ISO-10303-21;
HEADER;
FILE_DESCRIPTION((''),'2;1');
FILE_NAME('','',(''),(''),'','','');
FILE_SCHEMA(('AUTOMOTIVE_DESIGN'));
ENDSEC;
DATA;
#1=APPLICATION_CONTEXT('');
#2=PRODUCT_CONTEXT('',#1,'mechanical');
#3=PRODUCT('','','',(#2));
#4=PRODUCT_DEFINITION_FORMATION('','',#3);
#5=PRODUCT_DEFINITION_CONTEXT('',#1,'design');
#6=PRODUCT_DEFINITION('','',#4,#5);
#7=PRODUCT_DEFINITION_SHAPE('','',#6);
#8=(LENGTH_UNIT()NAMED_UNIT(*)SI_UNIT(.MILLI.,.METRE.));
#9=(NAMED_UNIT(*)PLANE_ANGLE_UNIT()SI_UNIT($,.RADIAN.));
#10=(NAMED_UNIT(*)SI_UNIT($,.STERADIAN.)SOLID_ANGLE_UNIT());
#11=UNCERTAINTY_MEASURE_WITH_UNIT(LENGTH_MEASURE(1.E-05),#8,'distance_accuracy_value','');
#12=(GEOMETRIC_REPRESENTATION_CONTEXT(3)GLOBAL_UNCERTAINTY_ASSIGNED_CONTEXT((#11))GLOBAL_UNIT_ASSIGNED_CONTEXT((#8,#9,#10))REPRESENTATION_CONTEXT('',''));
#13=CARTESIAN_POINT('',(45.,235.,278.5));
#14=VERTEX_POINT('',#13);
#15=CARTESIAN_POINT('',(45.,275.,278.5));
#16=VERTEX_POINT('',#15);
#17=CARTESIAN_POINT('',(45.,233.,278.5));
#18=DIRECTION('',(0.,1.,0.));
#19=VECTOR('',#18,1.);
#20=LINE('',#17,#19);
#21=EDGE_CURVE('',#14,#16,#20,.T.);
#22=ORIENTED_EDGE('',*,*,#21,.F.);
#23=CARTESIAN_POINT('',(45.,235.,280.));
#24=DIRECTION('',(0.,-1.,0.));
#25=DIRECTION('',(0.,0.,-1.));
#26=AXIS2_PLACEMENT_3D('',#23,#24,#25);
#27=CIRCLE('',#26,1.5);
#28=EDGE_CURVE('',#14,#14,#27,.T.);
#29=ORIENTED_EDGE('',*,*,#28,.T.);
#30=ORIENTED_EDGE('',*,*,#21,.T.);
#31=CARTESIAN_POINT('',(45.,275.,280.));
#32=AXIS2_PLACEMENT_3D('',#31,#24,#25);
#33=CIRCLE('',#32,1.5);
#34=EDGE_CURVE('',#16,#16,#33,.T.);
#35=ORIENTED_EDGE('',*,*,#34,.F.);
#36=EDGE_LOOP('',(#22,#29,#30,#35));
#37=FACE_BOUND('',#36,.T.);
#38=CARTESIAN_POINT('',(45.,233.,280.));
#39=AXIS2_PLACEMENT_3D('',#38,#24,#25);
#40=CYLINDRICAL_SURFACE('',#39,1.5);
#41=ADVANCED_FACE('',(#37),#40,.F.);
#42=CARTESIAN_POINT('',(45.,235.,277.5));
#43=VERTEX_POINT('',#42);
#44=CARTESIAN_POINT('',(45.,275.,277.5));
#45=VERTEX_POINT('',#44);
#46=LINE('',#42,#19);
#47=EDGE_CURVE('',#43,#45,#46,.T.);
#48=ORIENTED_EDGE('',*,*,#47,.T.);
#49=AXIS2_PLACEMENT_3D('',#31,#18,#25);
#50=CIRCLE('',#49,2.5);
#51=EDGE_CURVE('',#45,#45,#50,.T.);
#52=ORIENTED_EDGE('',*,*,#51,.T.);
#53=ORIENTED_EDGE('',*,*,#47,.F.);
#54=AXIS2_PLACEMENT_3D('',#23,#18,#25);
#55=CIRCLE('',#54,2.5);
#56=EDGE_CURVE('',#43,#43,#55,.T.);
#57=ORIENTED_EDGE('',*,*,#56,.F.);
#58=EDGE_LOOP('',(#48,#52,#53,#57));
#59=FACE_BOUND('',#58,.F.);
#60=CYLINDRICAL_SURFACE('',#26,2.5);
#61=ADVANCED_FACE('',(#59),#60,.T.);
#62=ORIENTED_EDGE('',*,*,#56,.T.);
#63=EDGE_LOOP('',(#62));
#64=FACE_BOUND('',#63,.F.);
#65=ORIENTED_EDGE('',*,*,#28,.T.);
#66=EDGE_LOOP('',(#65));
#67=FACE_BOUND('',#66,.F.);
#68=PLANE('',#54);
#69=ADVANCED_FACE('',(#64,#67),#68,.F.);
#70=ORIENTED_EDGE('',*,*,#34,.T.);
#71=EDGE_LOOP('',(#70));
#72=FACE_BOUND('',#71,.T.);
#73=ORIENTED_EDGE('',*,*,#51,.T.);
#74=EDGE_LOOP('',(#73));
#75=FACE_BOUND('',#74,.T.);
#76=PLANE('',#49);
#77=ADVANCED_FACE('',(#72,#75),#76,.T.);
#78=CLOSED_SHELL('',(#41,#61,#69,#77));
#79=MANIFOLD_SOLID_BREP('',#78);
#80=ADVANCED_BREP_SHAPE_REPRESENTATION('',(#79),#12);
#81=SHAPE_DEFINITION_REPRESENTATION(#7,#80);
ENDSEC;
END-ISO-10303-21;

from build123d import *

# Parameters (mm, degrees)
CYLINDER005_R           = 1.5
CYLINDER005_DEPTH       = 44
CYLINDER005_PITCH_ANGLE = 90
CYLINDER004_R           = 2.5
CYLINDER004_DEPTH       = 40
CYLINDER004_PITCH_ANGLE = 90
CUT004_PLACEMENT_ANGLE  = 90


with BuildPart() as cilindro005:
    # Cylinder005 → Cylinder005 (new body)
    with BuildSketch(Plane.XY):
        Circle(CYLINDER005_R)
    extrude(amount=CYLINDER005_DEPTH)


with BuildPart() as cilindro005_1:
    # Cylinder005 pitch: moved
    add(cilindro005.part.rotate(Axis((0, 0, 0), (0, 1, 0)), CYLINDER005_PITCH_ANGLE))


with BuildPart() as cilindro005_2:
    # Cylinder005 placement: moved
    add(cilindro005_1.part.moved(Location((-2, 0, 0))))


with BuildPart() as soporte005:
    # Cylinder004 → Cylinder004 (new body)
    with BuildSketch(Plane.XY):
        Circle(CYLINDER004_R)
    extrude(amount=CYLINDER004_DEPTH)


with BuildPart() as soporte005_1:
    # Cylinder004 pitch: moved
    add(soporte005.part.rotate(Axis((0, 0, 0), (0, 1, 0)), CYLINDER004_PITCH_ANGLE))


with BuildPart() as soporte005_2:
    # Cylinder004 placement: moved
    add(soporte005_1.part)

    # Cut004: cut Cilindro005
    add(cilindro005_2.part, mode=Mode.SUBTRACT)


with BuildPart() as soporte005_3:
    # Cut004 placement: moved
    add(soporte005_2.part.moved(Location((45, 235, 280))).rotate(Axis((45, 235, 280), (0, 0, 1)), CUT004_PLACEMENT_ANGLE))


solid = soporte005_3.part
